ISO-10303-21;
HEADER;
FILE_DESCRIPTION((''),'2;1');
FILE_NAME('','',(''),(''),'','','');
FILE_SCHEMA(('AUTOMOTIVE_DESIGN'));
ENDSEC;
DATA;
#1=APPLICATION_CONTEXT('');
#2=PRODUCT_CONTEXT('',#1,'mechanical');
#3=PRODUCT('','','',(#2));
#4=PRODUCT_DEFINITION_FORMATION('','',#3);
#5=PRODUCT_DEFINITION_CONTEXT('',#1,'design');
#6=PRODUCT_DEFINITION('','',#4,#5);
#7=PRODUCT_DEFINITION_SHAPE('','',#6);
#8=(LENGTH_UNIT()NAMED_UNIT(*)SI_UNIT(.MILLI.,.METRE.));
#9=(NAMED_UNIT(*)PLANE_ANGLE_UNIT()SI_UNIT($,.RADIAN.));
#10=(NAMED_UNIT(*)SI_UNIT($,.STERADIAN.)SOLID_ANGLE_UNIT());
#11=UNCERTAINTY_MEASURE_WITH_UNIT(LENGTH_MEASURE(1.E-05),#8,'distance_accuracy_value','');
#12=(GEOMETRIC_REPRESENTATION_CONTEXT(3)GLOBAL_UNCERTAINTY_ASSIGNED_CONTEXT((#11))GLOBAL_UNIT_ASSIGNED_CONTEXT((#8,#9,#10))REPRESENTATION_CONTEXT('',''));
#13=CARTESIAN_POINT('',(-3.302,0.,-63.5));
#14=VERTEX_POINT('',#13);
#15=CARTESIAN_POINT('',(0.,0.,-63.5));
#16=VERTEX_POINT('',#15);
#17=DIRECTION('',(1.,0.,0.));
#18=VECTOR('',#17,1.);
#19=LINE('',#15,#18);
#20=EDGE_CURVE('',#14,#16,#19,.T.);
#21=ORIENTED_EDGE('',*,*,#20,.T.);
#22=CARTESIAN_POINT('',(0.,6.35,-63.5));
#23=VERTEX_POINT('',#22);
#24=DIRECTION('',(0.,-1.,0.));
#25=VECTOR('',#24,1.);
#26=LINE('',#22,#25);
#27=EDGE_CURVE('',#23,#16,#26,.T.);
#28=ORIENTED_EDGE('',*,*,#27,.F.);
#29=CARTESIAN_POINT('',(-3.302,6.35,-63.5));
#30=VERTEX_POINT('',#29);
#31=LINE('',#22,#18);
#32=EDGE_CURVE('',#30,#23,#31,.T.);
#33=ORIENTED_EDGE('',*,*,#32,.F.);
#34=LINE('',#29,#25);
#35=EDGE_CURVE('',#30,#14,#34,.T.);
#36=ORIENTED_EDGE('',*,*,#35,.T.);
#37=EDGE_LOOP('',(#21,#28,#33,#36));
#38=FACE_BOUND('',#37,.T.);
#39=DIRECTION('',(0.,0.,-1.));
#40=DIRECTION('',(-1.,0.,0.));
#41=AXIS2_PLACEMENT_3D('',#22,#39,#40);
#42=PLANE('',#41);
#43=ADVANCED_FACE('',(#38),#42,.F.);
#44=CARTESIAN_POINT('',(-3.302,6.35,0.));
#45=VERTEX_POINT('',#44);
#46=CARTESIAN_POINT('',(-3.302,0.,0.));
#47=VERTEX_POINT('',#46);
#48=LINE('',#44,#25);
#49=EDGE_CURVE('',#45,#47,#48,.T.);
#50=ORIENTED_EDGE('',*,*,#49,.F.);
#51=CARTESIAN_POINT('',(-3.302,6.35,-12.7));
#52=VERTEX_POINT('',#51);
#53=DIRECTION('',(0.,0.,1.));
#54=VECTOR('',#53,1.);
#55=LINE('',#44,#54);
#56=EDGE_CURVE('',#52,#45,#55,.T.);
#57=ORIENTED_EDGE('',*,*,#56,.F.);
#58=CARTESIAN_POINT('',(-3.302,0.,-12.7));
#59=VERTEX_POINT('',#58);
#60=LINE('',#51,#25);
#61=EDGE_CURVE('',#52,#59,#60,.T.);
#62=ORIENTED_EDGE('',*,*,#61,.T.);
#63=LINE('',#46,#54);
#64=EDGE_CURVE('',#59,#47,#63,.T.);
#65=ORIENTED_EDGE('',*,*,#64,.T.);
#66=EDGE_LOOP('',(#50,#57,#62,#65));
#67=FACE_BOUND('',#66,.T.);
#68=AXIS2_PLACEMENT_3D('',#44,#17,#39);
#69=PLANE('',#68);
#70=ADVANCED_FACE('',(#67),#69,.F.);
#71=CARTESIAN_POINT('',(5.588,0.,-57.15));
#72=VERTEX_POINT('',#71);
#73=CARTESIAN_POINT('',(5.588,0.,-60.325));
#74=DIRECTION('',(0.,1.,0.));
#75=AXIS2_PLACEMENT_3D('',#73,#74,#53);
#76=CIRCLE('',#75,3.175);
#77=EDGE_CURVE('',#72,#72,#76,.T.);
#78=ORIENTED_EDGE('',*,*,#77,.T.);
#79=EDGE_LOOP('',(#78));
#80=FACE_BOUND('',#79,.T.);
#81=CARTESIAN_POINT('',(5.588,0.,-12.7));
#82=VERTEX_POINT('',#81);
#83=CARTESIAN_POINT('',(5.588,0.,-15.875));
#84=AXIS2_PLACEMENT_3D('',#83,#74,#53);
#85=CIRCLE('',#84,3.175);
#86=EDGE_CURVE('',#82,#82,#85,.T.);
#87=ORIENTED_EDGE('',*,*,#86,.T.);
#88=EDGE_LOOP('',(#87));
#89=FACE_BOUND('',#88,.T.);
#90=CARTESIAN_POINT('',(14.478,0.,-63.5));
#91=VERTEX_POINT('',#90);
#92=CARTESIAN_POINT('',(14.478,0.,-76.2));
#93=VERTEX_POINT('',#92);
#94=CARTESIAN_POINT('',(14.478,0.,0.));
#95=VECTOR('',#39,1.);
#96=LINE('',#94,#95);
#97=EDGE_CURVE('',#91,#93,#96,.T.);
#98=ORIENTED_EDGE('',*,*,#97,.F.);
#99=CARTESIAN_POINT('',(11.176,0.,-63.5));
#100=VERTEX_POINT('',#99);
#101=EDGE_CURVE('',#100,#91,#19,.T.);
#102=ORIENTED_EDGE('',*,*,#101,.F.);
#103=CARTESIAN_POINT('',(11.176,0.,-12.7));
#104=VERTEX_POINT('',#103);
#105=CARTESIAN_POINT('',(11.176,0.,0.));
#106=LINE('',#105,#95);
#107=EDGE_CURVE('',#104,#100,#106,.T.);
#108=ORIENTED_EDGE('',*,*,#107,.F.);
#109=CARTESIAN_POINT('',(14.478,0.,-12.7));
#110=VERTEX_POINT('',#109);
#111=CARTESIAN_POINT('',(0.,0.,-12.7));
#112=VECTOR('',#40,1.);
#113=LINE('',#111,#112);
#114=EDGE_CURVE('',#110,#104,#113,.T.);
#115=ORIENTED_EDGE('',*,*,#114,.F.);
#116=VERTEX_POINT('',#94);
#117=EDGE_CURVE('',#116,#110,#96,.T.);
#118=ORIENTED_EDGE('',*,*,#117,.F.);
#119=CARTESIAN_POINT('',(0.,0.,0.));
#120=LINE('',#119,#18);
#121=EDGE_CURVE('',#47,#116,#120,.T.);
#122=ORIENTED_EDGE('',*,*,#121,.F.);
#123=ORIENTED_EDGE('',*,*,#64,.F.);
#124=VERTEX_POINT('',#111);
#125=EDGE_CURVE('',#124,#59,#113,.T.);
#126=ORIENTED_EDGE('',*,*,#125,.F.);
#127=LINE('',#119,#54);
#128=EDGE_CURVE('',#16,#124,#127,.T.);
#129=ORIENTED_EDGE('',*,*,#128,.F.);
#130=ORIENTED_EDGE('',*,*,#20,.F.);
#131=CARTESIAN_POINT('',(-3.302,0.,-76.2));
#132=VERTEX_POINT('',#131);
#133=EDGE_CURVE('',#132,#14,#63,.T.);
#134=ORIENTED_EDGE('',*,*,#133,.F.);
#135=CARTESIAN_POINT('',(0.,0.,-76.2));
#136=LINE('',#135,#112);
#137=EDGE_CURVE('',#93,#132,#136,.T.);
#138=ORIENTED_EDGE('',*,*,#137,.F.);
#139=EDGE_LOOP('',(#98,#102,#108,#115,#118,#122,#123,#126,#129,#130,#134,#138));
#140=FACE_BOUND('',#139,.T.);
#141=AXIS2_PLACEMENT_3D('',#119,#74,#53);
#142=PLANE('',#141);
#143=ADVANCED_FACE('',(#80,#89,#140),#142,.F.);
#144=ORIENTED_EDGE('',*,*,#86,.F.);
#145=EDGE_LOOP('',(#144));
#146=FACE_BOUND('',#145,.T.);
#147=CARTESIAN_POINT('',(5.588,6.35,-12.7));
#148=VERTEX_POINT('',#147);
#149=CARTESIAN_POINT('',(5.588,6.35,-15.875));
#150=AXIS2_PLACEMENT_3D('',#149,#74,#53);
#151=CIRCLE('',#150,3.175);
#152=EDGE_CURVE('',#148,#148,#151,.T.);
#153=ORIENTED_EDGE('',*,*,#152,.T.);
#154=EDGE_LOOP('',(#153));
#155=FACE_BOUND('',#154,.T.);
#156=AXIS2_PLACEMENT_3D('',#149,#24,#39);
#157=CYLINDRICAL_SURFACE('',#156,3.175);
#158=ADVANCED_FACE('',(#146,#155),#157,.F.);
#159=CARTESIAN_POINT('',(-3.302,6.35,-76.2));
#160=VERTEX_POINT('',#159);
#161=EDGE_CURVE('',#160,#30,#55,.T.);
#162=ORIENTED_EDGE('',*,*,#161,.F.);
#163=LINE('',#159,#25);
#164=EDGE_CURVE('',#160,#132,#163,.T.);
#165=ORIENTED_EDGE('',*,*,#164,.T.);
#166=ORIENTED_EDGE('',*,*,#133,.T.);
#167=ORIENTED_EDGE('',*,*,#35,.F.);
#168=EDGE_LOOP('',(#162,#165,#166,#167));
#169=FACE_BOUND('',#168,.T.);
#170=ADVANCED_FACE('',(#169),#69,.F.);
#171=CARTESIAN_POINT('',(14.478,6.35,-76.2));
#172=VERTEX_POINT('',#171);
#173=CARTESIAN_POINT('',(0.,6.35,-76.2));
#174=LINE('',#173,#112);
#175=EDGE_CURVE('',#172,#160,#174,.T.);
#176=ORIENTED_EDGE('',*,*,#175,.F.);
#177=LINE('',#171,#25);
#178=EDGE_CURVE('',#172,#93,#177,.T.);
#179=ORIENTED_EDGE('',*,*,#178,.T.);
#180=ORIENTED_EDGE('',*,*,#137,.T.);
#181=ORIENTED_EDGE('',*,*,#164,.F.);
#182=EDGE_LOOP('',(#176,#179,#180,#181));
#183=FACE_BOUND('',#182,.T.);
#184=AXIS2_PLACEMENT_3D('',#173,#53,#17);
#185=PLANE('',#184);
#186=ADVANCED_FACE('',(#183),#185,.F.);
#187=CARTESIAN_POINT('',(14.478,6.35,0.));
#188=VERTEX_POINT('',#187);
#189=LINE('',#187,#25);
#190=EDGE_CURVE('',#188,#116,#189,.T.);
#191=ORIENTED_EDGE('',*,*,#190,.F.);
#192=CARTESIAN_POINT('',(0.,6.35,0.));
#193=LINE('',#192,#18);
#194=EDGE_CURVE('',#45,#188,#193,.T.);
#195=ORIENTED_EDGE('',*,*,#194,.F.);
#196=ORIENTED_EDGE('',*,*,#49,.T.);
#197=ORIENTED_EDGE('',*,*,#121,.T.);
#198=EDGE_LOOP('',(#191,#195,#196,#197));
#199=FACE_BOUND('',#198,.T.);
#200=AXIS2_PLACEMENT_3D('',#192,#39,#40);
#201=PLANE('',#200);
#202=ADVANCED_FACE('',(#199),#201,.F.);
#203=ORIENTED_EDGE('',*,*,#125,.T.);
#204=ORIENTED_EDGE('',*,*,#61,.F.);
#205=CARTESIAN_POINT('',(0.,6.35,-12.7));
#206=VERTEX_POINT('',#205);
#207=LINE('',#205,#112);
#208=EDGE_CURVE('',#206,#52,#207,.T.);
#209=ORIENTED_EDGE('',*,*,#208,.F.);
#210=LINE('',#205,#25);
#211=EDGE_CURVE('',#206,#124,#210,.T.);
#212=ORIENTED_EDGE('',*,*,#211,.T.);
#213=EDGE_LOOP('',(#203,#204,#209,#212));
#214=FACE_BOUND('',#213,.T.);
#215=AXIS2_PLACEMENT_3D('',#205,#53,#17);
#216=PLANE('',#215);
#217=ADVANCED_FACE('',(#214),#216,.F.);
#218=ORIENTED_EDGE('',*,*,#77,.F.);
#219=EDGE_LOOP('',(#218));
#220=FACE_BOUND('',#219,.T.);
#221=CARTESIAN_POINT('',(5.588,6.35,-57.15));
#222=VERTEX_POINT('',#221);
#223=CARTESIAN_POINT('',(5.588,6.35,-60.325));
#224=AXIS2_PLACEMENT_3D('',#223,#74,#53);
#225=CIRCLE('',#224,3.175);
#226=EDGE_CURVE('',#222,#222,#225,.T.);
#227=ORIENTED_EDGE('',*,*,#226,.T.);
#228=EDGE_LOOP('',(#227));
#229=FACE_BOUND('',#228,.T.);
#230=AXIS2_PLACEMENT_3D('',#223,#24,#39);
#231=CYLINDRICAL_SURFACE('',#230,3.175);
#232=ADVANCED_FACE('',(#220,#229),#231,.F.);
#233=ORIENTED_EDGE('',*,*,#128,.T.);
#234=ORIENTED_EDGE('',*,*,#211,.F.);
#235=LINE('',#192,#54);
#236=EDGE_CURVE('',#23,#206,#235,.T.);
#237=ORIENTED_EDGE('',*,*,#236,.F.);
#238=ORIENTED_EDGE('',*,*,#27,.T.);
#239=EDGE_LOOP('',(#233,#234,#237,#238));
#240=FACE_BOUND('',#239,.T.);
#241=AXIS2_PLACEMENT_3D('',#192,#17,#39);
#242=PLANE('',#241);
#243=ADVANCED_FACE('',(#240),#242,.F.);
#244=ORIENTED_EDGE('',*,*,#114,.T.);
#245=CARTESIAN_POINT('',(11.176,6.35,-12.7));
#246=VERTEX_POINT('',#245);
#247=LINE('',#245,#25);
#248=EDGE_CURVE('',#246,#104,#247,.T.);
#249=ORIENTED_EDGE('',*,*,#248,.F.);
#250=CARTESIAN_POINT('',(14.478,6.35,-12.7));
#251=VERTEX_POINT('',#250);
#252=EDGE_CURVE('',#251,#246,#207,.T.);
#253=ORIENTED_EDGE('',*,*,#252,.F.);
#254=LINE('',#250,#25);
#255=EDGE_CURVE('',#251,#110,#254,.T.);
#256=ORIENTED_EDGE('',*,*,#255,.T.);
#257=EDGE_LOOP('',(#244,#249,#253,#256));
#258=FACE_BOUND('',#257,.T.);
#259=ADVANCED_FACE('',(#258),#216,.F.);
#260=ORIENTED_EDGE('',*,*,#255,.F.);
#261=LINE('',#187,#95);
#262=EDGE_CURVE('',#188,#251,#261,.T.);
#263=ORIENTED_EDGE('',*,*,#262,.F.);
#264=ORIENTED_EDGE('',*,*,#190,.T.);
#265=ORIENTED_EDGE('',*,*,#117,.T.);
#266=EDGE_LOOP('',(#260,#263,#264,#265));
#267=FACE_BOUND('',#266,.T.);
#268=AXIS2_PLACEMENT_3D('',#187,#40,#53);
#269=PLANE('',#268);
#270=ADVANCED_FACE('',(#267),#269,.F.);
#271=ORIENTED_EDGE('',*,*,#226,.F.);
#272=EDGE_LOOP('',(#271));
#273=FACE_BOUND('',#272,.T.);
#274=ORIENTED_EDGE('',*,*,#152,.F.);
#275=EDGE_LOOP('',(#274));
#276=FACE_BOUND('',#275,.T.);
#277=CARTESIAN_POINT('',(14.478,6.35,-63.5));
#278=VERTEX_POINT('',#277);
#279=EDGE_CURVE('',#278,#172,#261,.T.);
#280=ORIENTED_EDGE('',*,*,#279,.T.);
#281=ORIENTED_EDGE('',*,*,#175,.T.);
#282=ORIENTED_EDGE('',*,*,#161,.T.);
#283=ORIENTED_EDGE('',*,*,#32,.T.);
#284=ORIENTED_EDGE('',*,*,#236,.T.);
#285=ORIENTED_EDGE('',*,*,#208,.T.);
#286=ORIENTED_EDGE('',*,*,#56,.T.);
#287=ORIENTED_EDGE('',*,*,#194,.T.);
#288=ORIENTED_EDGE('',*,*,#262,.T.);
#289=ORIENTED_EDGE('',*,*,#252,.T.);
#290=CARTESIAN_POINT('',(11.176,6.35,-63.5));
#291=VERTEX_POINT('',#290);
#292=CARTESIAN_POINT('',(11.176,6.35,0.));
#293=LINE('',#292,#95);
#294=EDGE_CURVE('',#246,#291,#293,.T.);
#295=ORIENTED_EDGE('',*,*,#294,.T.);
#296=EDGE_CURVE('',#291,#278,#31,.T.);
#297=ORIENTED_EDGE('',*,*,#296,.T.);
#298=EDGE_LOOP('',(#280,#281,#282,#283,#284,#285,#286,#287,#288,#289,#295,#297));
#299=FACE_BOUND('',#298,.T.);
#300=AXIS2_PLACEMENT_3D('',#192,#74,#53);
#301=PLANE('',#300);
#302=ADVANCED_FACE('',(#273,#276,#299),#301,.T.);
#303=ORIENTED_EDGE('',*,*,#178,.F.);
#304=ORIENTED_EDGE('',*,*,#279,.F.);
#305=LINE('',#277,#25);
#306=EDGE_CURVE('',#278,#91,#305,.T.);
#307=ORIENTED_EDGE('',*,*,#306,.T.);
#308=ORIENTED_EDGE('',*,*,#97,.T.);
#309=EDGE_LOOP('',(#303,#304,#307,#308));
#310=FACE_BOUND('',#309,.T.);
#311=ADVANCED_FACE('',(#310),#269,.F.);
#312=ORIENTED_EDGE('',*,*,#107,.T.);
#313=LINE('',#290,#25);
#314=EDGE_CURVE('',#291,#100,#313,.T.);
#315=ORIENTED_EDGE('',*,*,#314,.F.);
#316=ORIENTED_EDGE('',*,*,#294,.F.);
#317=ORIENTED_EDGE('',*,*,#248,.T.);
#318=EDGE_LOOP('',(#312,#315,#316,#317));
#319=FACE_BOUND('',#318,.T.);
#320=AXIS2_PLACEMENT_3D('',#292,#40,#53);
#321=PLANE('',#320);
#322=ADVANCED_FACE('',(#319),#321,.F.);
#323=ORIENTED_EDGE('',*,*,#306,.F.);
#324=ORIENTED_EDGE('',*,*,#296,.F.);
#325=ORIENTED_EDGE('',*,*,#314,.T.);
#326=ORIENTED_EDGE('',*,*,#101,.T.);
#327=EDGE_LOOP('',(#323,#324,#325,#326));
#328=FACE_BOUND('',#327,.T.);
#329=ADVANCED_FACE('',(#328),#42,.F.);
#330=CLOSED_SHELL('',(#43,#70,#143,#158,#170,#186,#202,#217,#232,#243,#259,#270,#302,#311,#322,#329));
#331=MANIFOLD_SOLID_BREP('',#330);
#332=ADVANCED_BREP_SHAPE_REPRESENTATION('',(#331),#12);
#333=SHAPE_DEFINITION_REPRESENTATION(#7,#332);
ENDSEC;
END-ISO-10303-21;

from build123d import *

# Parameters (mm, degrees)
SKETCH1_R           = 3.175
BOSS_EXTRUDE2_DEPTH = 6.35


with BuildPart() as part:
    # Sketch1 → Boss-Extrude2 (new body)
    with BuildSketch(Plane(origin=(0, 0, 0), x_dir=(1, 0, 0), z_dir=(0, 1, 0))):
        Polygon((-3.302, 0), (14.478, 0), (14.478, 12.7), (11.176, 12.7), (11.176, 63.5), (14.478, 63.5), (14.478, 76.2), (-3.302, 76.2), (-3.302, 63.5), (0, 63.5), (0, 12.7), (-3.302, 12.7), align=None)
        with Locations((5.588, 60.325)):
            Circle(SKETCH1_R, mode=Mode.SUBTRACT)
        with Locations((5.588, 15.875)):
            Circle(SKETCH1_R, mode=Mode.SUBTRACT)
    extrude(amount=BOSS_EXTRUDE2_DEPTH)


solid = part.part
